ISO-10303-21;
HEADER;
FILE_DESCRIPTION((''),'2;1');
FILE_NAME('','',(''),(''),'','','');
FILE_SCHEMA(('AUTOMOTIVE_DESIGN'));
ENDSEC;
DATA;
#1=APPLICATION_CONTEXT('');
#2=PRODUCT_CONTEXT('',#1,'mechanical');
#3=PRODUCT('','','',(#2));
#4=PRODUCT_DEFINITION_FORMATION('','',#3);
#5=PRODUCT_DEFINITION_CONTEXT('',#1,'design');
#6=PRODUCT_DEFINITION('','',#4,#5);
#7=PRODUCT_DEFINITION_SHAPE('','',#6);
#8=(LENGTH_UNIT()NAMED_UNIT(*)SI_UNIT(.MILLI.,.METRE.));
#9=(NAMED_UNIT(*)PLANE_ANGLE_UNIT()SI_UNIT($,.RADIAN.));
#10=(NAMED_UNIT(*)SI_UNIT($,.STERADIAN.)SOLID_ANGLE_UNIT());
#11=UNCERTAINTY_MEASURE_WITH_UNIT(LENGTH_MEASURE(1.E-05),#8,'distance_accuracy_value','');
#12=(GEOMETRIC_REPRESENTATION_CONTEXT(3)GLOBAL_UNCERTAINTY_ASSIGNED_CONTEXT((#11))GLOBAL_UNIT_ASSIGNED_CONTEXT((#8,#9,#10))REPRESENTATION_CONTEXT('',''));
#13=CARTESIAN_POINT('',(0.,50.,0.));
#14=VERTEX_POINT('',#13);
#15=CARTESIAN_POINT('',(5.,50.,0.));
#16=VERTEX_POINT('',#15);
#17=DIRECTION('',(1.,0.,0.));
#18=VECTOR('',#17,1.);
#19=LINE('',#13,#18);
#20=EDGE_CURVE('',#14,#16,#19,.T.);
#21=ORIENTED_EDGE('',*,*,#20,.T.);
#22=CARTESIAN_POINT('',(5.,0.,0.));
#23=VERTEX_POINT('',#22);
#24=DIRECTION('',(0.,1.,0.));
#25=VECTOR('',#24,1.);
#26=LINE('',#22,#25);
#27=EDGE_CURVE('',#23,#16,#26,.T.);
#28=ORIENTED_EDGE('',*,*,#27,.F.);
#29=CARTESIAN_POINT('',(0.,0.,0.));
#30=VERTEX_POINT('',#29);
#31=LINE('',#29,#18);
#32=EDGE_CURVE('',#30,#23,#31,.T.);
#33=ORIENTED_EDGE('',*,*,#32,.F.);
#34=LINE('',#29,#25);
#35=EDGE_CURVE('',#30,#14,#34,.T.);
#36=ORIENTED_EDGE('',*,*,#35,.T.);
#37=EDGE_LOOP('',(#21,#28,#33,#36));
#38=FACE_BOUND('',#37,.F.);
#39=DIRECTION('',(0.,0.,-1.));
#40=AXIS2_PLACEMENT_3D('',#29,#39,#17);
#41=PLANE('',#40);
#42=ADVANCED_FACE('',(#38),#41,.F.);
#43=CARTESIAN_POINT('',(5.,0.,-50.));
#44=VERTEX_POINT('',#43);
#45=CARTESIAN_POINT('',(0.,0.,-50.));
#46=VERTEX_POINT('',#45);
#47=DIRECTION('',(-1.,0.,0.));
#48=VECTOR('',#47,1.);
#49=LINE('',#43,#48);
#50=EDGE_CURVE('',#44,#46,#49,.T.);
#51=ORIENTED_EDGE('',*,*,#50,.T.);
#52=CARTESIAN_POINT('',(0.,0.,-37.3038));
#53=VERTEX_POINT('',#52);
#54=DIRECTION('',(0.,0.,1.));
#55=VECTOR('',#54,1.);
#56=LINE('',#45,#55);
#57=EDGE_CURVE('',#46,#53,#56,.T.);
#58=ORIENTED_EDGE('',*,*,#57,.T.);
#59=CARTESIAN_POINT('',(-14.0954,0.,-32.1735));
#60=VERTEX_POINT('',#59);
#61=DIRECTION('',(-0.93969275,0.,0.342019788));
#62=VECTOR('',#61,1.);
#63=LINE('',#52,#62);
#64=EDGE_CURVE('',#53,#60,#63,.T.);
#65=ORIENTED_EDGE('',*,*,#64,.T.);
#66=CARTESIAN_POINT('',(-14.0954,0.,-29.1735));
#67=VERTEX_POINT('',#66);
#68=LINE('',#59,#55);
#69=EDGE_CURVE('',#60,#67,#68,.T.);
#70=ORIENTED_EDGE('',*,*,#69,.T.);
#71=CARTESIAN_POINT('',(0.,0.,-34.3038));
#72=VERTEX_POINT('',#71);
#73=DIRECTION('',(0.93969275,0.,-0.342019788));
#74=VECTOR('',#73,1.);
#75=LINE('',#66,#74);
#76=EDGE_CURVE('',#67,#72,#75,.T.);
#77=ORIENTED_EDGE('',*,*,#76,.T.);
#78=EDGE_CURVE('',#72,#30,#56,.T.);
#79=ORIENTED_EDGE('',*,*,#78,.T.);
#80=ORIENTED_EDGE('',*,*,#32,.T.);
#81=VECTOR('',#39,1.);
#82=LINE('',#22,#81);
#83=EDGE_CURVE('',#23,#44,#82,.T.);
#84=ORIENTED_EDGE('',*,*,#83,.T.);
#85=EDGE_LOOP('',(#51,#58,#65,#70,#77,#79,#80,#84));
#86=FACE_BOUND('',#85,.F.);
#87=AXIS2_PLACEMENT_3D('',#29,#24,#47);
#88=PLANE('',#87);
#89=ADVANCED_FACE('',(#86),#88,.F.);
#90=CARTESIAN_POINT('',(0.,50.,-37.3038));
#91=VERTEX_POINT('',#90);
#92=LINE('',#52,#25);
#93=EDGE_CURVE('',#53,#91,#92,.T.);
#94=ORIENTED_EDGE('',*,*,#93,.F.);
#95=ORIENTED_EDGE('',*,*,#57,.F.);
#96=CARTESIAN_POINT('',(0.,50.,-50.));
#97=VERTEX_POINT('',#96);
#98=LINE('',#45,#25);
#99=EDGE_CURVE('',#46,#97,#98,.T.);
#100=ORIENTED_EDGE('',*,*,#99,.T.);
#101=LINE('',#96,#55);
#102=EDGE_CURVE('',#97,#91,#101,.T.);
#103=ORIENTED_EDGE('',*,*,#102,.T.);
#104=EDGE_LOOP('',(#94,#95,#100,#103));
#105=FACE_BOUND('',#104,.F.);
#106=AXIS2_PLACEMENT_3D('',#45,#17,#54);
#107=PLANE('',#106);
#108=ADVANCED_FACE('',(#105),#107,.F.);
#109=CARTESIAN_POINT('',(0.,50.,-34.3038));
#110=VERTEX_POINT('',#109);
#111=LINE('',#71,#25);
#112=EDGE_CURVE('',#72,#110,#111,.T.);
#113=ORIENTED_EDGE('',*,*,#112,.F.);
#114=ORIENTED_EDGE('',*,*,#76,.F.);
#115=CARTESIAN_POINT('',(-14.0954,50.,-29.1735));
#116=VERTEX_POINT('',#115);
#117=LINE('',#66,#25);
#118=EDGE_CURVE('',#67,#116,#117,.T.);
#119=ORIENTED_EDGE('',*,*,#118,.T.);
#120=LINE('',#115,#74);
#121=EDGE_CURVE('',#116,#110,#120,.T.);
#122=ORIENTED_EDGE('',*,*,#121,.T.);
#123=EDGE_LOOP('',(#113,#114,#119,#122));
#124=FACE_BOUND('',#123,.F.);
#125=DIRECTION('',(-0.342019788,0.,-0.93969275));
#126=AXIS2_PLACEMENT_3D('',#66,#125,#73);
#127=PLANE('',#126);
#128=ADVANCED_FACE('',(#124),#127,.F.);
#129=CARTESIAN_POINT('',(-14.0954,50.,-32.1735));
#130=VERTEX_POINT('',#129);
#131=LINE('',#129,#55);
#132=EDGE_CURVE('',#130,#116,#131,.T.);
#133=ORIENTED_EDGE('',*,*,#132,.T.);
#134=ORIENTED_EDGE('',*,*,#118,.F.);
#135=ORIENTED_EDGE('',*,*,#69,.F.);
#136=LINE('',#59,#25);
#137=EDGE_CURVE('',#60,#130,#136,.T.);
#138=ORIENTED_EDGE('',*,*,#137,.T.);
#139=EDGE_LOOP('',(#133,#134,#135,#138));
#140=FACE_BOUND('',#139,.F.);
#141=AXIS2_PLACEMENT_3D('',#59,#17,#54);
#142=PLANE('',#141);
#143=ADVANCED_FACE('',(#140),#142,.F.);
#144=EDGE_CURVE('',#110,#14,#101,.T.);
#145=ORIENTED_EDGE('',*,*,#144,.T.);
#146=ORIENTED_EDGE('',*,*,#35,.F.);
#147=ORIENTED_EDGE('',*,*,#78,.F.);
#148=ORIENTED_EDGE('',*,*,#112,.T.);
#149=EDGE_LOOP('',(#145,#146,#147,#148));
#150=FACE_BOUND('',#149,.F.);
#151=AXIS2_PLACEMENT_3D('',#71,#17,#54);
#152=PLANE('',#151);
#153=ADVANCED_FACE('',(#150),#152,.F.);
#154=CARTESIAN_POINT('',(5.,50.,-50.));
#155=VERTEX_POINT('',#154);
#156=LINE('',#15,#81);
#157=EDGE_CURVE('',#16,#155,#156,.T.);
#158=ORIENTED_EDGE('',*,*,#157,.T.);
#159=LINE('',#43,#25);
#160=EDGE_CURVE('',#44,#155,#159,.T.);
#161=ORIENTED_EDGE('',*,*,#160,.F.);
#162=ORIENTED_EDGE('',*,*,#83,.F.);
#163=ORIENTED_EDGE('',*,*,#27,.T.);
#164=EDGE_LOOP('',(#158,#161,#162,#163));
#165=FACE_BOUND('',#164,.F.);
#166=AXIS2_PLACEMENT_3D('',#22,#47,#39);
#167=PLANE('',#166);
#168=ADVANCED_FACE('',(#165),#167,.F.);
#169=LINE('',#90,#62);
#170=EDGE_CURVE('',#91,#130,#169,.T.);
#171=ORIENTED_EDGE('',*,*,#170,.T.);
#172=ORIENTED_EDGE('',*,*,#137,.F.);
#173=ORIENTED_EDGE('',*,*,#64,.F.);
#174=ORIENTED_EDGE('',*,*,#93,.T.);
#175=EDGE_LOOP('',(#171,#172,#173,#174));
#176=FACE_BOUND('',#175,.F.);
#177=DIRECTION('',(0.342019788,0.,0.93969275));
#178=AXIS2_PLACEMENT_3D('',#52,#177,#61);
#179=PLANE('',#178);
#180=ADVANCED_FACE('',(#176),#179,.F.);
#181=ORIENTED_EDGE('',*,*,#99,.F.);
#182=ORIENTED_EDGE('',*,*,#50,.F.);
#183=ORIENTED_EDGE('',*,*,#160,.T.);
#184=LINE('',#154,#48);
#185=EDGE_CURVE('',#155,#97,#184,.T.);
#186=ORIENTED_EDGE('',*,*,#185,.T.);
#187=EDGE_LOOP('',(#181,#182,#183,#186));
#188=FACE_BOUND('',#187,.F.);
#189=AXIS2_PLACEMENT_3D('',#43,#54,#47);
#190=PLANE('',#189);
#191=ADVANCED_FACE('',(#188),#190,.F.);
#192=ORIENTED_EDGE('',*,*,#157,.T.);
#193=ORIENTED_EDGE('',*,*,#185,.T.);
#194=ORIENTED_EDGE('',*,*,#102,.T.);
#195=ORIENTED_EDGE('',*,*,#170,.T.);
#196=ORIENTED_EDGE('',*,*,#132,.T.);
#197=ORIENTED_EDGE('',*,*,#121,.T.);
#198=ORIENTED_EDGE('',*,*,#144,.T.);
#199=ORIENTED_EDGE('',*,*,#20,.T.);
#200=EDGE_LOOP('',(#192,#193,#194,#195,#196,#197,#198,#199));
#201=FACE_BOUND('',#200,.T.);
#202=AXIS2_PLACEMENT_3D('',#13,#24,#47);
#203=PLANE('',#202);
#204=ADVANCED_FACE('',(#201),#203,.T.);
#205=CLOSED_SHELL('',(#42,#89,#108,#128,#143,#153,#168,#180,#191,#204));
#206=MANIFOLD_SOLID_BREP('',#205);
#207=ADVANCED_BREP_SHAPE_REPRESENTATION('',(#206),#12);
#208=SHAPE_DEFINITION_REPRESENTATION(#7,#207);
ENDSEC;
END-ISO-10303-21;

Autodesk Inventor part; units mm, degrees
ref_plane "YZ Plane" through (0, 0, 0) normal (1, 0, 0) x (0, 1, 0)
ref_plane "XZ Plane" through (0, 0, 0) normal (0, 1, 0) x (-1, 0, 0)
ref_plane "XY Plane" through (0, 0, 0) normal (0, 0, 1) x (1, 0, 0)
sketch "Sketch4" plane through (0, 0, 0) normal (0, 1, 0) x (-1, 0, 0)
  line L0 (0, 0) -> (-5, 0)
  line L1 (-5, 0) -> (-5, -50)
  line L2 (-5, -50) -> (0, -50)
  line L3 (0, -50) -> (0, 0)
  line L4 (0, -37.3038) -> (14.0954, -32.1735)
  line L5 (0, -37.3038) -> (15, -37.3038) construction
  line L6 (14.0954, -32.1735) -> (14.0954, -29.1735)
  line L7 (14.0954, -29.1735) -> (0, -34.3038)
  dimension "d16" = 5
  dimension "d17" = 50
  dimension "d18" = 15
  dimension "d19" = 20
  dimension "d20" = 3
extrude "Extrusion3" add sketch "Sketch4" along normal blind 50
properties part number "horony_upper"
